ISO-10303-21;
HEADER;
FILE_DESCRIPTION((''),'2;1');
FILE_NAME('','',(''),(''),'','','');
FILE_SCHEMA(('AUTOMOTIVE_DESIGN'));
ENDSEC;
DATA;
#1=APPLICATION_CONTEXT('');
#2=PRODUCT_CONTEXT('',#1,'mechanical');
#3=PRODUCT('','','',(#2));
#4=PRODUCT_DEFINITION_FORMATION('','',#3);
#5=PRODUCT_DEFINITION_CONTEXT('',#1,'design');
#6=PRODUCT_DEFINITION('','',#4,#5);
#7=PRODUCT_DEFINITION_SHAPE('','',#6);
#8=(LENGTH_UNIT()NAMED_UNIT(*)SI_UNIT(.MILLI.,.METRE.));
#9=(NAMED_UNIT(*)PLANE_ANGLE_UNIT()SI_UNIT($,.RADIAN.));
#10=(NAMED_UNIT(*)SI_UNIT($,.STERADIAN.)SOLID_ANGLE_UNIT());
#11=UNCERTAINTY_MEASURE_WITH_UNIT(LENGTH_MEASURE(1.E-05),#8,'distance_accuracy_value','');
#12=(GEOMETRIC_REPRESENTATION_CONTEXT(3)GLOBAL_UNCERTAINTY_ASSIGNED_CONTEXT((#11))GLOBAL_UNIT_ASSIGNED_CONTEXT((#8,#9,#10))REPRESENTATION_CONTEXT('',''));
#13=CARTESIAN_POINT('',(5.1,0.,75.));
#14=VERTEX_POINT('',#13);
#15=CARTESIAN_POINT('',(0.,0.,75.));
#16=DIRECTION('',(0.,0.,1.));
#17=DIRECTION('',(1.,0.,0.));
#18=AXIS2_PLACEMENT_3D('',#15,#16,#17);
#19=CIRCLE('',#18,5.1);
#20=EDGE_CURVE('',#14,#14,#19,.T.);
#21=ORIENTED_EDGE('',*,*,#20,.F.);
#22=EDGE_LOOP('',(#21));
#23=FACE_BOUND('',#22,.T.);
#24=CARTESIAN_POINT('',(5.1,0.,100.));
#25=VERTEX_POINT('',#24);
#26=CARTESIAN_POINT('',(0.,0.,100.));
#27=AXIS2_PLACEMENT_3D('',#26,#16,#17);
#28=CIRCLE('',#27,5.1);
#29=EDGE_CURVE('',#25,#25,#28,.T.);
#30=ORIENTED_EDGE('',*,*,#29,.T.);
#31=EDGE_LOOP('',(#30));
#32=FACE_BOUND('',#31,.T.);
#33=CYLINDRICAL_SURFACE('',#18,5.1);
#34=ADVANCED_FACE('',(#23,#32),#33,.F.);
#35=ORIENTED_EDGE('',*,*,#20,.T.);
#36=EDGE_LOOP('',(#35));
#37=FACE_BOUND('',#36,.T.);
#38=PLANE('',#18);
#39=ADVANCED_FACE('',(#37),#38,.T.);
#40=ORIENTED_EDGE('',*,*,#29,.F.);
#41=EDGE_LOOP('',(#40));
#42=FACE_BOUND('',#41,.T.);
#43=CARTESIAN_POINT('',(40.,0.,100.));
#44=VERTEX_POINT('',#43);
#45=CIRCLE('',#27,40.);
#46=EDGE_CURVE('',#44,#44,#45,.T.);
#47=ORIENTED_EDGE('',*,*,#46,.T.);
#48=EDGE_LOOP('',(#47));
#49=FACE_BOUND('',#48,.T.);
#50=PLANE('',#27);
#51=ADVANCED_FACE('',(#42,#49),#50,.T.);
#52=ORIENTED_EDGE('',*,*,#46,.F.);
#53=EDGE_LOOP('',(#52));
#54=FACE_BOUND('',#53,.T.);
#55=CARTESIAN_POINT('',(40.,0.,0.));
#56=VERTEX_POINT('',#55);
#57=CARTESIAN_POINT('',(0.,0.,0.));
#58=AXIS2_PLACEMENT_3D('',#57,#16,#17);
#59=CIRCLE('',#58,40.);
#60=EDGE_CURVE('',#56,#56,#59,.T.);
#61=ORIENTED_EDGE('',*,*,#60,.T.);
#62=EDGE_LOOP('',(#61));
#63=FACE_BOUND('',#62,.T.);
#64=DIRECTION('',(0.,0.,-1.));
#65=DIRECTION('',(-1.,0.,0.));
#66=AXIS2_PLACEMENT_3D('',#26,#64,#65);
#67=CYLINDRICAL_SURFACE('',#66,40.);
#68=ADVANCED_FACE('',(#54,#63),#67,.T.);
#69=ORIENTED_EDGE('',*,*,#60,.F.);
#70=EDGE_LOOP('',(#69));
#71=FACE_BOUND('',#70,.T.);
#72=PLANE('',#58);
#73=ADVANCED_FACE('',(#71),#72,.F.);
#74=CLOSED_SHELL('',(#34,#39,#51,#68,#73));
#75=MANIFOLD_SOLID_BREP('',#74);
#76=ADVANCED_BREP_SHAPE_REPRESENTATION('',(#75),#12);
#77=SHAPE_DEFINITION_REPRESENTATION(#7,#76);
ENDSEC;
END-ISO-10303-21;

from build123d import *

# Parameters (mm, degrees)
SKIZZE1_R                       = 40
AUFSATZ_LINEAR_AUSTRAGEN1_DEPTH = 100
SKIZZE2_R                       = 5.1
SCHNITT_LINEAR_AUSTRAGEN1_DEPTH = 25


with BuildPart() as part:
    # Skizze1 → Aufsatz-Linear austragen1 (new body)
    with BuildSketch(Plane.XY):
        Circle(SKIZZE1_R)
    extrude(amount=AUFSATZ_LINEAR_AUSTRAGEN1_DEPTH)

    # Skizze2 → Schnitt-Linear austragen1 (cut)
    with BuildSketch(Plane.XY.offset(100)):
        Circle(SKIZZE2_R)
    extrude(amount=-SCHNITT_LINEAR_AUSTRAGEN1_DEPTH, mode=Mode.SUBTRACT)


solid = part.part
